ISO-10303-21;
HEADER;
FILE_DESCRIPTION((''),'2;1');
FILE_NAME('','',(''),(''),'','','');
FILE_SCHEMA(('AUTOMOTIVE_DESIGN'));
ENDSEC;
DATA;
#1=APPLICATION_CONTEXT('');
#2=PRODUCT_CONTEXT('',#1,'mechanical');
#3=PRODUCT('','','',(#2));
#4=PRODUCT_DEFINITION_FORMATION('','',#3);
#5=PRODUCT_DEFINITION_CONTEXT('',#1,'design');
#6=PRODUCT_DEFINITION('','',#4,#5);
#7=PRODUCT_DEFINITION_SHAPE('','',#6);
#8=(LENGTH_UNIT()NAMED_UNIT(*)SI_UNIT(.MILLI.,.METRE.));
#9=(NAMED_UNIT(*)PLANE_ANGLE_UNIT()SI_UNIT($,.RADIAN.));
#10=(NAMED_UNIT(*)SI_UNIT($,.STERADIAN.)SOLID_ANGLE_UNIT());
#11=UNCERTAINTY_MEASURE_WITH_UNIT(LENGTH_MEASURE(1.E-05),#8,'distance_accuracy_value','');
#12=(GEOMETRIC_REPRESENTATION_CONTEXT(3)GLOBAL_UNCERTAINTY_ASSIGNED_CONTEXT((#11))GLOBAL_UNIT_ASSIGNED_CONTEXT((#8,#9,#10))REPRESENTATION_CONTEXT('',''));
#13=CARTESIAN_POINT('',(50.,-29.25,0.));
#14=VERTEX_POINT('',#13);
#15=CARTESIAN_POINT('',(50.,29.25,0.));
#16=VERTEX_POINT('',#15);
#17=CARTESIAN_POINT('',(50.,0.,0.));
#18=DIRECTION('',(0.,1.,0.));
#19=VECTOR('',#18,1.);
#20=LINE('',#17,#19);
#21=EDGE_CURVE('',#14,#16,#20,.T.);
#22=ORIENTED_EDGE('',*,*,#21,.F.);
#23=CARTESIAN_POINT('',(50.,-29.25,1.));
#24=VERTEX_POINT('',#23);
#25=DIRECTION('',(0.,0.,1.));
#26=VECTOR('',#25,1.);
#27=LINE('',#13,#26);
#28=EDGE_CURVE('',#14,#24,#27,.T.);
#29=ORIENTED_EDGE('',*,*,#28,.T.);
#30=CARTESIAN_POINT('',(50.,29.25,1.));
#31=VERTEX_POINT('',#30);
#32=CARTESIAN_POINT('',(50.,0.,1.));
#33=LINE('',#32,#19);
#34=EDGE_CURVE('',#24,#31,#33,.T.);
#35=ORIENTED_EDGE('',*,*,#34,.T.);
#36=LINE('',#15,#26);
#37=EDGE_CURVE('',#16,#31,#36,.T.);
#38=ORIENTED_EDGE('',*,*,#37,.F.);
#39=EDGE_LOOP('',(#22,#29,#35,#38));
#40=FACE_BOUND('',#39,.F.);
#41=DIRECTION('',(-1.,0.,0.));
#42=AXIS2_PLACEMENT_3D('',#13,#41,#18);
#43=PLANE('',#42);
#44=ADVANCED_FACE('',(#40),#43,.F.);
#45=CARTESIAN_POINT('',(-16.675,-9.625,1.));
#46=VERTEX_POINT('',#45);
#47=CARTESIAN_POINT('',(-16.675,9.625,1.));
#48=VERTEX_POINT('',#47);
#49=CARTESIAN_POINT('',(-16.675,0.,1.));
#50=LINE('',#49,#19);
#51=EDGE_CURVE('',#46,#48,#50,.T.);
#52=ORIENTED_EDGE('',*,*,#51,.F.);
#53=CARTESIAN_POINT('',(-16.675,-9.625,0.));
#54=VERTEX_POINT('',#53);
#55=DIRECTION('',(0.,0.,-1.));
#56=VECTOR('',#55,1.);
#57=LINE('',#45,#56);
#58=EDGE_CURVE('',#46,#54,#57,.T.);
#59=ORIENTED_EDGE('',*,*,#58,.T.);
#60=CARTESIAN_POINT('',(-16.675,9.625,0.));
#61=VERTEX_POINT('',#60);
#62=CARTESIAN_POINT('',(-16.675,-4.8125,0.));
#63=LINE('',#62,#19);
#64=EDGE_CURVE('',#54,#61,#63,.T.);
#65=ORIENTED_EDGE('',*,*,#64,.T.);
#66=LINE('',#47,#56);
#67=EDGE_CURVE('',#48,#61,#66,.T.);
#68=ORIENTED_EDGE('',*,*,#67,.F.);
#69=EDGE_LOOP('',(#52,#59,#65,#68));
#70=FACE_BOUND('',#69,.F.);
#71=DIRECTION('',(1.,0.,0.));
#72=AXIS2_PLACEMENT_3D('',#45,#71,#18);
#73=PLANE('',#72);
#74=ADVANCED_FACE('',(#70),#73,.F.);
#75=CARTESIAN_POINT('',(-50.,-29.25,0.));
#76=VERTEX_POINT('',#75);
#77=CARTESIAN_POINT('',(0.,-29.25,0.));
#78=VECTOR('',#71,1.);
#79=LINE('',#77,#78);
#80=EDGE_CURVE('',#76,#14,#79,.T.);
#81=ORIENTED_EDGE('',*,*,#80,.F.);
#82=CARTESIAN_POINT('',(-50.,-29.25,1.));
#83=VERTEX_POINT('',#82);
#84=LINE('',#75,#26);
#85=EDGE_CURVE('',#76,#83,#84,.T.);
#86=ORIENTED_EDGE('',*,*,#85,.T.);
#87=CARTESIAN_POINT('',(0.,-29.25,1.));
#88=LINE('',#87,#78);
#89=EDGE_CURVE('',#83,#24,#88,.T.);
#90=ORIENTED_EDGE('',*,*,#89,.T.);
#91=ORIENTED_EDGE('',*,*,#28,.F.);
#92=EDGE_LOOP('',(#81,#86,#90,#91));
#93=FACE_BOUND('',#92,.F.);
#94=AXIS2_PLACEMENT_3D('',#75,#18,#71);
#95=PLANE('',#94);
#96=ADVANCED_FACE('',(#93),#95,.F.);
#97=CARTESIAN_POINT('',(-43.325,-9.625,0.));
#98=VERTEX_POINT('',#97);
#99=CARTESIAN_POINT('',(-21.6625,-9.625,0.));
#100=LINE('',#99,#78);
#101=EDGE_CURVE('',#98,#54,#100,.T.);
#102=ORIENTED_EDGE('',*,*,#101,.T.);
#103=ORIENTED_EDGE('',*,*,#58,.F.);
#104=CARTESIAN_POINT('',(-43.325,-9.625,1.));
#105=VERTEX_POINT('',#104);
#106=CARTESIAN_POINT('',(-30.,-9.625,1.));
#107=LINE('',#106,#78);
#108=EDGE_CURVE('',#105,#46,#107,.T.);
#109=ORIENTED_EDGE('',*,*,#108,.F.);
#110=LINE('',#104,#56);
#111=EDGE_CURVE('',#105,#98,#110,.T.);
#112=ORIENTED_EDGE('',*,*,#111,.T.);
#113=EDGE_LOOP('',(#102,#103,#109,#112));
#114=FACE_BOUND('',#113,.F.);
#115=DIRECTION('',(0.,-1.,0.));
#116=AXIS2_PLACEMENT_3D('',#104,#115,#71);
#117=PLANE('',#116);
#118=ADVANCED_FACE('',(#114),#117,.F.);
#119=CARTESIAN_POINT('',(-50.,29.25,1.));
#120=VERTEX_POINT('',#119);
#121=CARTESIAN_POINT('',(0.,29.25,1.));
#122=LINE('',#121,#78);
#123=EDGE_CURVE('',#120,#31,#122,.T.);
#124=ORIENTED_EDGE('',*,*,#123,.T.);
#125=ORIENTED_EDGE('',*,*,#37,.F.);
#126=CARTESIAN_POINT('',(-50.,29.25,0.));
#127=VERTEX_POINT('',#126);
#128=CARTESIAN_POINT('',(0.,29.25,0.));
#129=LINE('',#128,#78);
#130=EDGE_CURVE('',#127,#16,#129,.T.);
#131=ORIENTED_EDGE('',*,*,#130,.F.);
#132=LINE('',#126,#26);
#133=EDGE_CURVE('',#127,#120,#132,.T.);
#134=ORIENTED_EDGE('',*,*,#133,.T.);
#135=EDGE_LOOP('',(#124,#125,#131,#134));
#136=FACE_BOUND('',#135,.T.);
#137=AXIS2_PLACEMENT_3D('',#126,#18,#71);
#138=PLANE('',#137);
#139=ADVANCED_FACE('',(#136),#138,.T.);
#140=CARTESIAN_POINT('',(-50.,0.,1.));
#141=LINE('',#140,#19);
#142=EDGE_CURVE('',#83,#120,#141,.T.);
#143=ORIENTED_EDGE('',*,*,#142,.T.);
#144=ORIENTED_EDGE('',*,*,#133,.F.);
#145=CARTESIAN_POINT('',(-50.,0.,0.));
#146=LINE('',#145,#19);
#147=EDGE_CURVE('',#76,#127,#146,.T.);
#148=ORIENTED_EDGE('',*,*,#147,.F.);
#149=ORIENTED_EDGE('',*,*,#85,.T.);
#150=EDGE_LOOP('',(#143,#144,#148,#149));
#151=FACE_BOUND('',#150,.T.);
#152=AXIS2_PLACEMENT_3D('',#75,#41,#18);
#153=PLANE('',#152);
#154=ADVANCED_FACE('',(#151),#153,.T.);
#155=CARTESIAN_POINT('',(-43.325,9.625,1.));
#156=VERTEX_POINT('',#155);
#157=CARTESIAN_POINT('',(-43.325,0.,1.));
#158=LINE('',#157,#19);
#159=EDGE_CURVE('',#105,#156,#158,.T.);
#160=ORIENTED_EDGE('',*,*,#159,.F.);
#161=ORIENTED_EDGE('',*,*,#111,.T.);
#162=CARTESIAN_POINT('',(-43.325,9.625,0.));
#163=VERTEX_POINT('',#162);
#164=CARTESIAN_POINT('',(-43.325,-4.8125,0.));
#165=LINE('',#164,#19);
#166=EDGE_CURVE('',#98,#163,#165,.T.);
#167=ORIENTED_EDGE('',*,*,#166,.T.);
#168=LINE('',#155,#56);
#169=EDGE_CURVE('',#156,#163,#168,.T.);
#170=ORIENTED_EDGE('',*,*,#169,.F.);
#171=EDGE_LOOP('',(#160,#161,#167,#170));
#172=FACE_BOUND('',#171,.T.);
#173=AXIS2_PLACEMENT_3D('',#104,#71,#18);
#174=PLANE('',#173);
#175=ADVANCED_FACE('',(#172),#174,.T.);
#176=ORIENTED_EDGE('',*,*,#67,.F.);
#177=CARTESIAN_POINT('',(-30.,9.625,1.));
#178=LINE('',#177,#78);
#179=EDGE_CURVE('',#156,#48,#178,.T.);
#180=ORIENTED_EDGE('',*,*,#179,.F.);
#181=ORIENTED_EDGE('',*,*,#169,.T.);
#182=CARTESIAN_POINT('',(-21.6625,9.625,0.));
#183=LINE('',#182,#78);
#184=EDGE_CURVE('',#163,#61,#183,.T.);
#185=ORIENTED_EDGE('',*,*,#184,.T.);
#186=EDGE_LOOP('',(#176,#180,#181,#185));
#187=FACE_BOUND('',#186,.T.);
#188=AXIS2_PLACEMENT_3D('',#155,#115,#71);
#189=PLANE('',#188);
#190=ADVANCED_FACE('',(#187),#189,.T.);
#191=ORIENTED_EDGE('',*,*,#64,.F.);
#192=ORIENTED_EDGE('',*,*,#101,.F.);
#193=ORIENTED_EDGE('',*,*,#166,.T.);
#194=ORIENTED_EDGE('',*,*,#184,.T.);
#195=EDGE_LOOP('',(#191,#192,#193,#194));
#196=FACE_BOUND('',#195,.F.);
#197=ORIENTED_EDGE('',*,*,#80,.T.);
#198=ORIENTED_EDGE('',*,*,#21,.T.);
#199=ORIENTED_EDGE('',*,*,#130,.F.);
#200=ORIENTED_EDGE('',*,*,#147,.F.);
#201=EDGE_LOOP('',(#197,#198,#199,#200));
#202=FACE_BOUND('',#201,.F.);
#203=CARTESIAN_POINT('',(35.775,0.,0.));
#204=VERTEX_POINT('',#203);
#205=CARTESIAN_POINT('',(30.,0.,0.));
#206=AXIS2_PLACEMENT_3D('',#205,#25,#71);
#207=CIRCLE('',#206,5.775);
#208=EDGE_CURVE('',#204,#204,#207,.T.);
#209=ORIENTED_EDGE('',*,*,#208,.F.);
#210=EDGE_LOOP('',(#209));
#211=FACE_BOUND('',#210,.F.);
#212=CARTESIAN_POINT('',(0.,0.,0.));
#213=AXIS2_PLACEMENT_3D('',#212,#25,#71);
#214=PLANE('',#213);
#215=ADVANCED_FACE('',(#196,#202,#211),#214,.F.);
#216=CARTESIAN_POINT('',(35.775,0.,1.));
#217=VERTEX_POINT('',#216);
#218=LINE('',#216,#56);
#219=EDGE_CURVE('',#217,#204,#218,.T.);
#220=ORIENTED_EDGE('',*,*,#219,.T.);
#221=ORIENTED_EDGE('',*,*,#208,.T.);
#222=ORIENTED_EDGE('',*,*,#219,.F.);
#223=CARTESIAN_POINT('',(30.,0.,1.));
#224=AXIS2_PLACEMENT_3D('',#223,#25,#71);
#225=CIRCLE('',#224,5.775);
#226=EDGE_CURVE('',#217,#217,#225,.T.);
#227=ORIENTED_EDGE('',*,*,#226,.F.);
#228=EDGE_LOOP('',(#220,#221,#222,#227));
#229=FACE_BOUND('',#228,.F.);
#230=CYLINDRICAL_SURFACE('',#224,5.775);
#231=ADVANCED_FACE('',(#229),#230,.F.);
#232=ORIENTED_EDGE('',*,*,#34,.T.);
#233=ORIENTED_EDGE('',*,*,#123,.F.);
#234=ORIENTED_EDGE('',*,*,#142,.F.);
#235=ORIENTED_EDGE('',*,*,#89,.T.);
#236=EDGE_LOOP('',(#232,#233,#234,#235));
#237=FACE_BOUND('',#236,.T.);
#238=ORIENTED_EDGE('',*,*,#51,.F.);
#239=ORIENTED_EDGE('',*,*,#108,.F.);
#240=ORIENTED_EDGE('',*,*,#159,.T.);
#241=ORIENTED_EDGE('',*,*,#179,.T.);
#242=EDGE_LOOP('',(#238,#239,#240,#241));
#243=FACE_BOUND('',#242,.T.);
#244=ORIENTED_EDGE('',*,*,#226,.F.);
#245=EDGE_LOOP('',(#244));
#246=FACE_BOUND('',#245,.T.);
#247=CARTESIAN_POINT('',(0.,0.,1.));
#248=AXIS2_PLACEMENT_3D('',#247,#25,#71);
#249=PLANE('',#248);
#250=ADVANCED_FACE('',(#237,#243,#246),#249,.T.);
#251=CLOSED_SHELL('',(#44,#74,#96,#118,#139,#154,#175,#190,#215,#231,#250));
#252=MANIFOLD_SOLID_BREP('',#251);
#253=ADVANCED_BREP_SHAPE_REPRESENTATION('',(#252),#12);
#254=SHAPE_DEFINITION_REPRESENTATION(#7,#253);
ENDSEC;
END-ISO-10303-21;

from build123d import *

# Parameters (mm, degrees)
F0_W     = 100
F0_H     = 58.5
F1_DEPTH = 1
F2_W     = 26.65
F2_H     = 19.25
F3_R     = 5.775
F4_DEPTH = 25


with BuildPart() as f1:
    # F0 (on Top) → F1 (new body)
    with BuildSketch(Plane.XY):
        Rectangle(F0_W, F0_H)
    extrude(amount=F1_DEPTH)

    # F2 (on face) + F3 (on face) → F4 (cut)
    with BuildSketch(Plane.XY.offset(1)):
        with Locations((-30, 0)):
            Rectangle(F2_W, F2_H)
    with BuildSketch(Plane.XY.offset(1)):
        with Locations((30, 0)):
            Circle(F3_R)
    extrude(amount=-F4_DEPTH, mode=Mode.SUBTRACT)


solid = f1.part
